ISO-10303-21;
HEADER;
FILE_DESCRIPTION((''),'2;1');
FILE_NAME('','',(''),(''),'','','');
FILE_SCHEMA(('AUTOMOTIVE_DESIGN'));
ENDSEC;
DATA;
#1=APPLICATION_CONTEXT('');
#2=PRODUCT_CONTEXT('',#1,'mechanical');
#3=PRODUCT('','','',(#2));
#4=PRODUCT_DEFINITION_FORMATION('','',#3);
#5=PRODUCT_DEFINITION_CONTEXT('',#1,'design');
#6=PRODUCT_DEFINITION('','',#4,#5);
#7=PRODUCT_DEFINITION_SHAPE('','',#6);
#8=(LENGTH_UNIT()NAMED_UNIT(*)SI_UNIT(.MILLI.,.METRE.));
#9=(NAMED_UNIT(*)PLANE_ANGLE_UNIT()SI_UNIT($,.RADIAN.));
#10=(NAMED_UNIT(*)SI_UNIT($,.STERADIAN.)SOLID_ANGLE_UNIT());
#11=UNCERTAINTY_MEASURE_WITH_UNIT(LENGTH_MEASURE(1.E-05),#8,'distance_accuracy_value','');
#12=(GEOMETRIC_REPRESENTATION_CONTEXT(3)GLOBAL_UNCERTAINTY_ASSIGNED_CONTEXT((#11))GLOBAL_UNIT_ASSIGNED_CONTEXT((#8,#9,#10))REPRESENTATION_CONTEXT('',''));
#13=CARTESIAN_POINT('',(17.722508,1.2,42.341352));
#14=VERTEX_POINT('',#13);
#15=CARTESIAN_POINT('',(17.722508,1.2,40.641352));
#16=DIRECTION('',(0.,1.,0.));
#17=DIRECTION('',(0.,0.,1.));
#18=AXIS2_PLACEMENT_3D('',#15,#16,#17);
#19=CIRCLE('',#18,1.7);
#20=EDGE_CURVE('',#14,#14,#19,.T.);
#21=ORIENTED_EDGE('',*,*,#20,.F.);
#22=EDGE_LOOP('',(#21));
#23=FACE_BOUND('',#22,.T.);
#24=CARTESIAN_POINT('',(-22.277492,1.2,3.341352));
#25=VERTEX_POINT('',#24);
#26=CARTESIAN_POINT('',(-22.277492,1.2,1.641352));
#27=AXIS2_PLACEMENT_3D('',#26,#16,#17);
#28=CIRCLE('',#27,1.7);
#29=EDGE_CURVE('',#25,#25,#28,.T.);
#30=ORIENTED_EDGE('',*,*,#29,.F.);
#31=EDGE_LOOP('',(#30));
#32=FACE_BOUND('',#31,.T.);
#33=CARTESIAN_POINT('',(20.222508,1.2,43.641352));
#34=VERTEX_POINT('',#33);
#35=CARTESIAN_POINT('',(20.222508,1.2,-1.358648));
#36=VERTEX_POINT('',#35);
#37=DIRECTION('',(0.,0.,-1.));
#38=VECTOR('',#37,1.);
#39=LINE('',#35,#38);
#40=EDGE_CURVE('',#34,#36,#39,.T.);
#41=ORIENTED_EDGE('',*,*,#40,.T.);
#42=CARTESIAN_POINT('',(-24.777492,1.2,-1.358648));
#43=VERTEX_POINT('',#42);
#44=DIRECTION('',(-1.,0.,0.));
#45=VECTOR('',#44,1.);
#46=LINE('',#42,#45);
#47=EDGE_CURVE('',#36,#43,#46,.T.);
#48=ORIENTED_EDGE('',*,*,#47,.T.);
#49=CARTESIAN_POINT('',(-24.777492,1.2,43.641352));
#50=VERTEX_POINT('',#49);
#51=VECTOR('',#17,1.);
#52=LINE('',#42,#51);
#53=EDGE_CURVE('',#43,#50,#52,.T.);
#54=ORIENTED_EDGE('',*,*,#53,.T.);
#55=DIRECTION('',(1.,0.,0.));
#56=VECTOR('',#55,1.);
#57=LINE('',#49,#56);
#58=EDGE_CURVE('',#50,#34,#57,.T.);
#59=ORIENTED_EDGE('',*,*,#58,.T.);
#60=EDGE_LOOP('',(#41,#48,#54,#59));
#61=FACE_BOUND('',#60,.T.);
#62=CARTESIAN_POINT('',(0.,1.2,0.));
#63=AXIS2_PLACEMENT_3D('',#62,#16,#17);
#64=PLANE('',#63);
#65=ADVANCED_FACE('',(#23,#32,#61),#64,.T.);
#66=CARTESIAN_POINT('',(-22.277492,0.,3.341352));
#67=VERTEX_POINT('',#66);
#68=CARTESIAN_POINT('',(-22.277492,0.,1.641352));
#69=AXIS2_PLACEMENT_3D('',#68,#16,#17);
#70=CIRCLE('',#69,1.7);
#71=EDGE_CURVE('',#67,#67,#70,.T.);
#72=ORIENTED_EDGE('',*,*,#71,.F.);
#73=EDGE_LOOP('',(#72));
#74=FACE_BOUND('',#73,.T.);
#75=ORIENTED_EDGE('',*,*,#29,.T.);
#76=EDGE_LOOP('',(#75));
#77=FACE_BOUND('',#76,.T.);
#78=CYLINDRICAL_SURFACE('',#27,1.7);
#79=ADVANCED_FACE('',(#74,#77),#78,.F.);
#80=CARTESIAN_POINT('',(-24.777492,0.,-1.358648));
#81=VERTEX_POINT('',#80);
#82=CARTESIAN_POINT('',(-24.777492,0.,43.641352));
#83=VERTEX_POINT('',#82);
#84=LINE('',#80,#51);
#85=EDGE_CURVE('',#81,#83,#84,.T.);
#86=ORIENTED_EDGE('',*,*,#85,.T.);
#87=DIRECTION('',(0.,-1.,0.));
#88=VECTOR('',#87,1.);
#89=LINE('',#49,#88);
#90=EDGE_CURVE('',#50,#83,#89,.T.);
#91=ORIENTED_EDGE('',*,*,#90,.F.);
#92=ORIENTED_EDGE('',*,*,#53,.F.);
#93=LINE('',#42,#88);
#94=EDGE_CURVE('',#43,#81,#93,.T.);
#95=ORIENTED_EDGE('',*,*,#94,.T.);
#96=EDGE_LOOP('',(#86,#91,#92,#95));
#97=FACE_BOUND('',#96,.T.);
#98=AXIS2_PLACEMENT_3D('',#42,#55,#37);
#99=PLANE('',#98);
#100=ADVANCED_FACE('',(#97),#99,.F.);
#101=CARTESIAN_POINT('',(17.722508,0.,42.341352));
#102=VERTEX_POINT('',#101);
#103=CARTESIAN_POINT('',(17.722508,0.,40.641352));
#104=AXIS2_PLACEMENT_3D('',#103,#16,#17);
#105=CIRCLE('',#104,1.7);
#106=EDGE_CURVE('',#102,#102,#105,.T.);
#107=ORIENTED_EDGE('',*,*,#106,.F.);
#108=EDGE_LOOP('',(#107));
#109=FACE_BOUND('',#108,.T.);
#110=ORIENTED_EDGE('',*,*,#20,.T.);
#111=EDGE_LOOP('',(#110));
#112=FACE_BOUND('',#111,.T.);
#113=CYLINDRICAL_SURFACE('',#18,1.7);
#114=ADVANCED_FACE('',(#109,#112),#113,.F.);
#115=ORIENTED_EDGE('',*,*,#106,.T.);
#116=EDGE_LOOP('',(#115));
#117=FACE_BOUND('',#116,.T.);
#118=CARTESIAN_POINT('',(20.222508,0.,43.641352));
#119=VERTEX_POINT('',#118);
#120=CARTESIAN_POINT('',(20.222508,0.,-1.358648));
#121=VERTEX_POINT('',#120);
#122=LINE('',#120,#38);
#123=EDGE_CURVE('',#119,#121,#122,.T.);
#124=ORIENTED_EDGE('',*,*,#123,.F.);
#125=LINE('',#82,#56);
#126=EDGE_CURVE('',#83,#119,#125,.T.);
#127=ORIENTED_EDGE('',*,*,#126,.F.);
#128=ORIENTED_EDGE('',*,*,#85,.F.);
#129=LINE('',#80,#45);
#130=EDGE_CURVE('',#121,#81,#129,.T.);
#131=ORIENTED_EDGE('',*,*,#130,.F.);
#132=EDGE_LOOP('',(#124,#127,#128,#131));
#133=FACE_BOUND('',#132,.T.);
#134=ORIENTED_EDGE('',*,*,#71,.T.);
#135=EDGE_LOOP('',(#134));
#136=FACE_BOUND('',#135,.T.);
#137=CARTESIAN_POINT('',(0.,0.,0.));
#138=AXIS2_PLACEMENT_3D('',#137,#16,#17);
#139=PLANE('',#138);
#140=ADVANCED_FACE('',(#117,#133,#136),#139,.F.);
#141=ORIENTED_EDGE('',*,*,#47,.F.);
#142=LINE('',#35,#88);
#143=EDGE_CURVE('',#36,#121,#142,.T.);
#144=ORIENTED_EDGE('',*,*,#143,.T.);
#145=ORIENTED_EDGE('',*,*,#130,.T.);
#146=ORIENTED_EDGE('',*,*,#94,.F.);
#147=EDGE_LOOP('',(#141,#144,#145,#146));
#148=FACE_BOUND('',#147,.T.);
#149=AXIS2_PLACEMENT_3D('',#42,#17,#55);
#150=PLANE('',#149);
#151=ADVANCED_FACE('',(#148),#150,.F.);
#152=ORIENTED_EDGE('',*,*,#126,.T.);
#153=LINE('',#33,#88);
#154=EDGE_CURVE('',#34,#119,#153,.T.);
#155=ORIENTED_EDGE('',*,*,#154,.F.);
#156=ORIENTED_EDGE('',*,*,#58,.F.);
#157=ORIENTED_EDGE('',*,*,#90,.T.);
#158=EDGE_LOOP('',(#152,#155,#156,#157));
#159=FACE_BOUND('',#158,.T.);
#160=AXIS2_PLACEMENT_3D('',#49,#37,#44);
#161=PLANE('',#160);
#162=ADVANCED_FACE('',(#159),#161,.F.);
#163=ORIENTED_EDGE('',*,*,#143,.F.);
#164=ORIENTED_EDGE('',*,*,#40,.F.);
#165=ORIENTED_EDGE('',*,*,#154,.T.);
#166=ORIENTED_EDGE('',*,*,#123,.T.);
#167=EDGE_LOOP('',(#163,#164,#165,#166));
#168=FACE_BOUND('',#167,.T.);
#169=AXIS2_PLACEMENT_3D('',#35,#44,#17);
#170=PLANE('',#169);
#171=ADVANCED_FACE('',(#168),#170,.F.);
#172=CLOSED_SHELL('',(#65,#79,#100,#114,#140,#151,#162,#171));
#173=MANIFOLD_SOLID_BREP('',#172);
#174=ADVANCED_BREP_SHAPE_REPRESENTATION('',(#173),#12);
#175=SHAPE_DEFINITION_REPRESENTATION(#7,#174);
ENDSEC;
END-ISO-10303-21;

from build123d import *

# Parameters (mm, degrees)
SKETCH1_W            = 45
SKETCH1_H            = 45
BOSS_EXTRUDE1_DEPTH  = 1.2
M3_CLEARANCE_HOLE1_D = 3.4


with BuildPart() as part:
    # Sketch1 → Boss-Extrude1 (new body)
    with BuildSketch(Plane(origin=(0, 0, 0), x_dir=(1, 0, 0), z_dir=(0, 1, 0))):
        with Locations((-2.277491725, -21.141351661)):
            Rectangle(SKETCH1_W, SKETCH1_H)
    extrude(amount=BOSS_EXTRUDE1_DEPTH)

    # M3 Clearance Hole1 (through all)
    with Locations(Plane(origin=(-22.277491725, 1.2, 1.641351661), x_dir=(0, 0, 1), z_dir=(0, 1, 0))):
        with Locations((0, 0), (39, 40)):
            Hole(M3_CLEARANCE_HOLE1_D / 2)


solid = part.part
